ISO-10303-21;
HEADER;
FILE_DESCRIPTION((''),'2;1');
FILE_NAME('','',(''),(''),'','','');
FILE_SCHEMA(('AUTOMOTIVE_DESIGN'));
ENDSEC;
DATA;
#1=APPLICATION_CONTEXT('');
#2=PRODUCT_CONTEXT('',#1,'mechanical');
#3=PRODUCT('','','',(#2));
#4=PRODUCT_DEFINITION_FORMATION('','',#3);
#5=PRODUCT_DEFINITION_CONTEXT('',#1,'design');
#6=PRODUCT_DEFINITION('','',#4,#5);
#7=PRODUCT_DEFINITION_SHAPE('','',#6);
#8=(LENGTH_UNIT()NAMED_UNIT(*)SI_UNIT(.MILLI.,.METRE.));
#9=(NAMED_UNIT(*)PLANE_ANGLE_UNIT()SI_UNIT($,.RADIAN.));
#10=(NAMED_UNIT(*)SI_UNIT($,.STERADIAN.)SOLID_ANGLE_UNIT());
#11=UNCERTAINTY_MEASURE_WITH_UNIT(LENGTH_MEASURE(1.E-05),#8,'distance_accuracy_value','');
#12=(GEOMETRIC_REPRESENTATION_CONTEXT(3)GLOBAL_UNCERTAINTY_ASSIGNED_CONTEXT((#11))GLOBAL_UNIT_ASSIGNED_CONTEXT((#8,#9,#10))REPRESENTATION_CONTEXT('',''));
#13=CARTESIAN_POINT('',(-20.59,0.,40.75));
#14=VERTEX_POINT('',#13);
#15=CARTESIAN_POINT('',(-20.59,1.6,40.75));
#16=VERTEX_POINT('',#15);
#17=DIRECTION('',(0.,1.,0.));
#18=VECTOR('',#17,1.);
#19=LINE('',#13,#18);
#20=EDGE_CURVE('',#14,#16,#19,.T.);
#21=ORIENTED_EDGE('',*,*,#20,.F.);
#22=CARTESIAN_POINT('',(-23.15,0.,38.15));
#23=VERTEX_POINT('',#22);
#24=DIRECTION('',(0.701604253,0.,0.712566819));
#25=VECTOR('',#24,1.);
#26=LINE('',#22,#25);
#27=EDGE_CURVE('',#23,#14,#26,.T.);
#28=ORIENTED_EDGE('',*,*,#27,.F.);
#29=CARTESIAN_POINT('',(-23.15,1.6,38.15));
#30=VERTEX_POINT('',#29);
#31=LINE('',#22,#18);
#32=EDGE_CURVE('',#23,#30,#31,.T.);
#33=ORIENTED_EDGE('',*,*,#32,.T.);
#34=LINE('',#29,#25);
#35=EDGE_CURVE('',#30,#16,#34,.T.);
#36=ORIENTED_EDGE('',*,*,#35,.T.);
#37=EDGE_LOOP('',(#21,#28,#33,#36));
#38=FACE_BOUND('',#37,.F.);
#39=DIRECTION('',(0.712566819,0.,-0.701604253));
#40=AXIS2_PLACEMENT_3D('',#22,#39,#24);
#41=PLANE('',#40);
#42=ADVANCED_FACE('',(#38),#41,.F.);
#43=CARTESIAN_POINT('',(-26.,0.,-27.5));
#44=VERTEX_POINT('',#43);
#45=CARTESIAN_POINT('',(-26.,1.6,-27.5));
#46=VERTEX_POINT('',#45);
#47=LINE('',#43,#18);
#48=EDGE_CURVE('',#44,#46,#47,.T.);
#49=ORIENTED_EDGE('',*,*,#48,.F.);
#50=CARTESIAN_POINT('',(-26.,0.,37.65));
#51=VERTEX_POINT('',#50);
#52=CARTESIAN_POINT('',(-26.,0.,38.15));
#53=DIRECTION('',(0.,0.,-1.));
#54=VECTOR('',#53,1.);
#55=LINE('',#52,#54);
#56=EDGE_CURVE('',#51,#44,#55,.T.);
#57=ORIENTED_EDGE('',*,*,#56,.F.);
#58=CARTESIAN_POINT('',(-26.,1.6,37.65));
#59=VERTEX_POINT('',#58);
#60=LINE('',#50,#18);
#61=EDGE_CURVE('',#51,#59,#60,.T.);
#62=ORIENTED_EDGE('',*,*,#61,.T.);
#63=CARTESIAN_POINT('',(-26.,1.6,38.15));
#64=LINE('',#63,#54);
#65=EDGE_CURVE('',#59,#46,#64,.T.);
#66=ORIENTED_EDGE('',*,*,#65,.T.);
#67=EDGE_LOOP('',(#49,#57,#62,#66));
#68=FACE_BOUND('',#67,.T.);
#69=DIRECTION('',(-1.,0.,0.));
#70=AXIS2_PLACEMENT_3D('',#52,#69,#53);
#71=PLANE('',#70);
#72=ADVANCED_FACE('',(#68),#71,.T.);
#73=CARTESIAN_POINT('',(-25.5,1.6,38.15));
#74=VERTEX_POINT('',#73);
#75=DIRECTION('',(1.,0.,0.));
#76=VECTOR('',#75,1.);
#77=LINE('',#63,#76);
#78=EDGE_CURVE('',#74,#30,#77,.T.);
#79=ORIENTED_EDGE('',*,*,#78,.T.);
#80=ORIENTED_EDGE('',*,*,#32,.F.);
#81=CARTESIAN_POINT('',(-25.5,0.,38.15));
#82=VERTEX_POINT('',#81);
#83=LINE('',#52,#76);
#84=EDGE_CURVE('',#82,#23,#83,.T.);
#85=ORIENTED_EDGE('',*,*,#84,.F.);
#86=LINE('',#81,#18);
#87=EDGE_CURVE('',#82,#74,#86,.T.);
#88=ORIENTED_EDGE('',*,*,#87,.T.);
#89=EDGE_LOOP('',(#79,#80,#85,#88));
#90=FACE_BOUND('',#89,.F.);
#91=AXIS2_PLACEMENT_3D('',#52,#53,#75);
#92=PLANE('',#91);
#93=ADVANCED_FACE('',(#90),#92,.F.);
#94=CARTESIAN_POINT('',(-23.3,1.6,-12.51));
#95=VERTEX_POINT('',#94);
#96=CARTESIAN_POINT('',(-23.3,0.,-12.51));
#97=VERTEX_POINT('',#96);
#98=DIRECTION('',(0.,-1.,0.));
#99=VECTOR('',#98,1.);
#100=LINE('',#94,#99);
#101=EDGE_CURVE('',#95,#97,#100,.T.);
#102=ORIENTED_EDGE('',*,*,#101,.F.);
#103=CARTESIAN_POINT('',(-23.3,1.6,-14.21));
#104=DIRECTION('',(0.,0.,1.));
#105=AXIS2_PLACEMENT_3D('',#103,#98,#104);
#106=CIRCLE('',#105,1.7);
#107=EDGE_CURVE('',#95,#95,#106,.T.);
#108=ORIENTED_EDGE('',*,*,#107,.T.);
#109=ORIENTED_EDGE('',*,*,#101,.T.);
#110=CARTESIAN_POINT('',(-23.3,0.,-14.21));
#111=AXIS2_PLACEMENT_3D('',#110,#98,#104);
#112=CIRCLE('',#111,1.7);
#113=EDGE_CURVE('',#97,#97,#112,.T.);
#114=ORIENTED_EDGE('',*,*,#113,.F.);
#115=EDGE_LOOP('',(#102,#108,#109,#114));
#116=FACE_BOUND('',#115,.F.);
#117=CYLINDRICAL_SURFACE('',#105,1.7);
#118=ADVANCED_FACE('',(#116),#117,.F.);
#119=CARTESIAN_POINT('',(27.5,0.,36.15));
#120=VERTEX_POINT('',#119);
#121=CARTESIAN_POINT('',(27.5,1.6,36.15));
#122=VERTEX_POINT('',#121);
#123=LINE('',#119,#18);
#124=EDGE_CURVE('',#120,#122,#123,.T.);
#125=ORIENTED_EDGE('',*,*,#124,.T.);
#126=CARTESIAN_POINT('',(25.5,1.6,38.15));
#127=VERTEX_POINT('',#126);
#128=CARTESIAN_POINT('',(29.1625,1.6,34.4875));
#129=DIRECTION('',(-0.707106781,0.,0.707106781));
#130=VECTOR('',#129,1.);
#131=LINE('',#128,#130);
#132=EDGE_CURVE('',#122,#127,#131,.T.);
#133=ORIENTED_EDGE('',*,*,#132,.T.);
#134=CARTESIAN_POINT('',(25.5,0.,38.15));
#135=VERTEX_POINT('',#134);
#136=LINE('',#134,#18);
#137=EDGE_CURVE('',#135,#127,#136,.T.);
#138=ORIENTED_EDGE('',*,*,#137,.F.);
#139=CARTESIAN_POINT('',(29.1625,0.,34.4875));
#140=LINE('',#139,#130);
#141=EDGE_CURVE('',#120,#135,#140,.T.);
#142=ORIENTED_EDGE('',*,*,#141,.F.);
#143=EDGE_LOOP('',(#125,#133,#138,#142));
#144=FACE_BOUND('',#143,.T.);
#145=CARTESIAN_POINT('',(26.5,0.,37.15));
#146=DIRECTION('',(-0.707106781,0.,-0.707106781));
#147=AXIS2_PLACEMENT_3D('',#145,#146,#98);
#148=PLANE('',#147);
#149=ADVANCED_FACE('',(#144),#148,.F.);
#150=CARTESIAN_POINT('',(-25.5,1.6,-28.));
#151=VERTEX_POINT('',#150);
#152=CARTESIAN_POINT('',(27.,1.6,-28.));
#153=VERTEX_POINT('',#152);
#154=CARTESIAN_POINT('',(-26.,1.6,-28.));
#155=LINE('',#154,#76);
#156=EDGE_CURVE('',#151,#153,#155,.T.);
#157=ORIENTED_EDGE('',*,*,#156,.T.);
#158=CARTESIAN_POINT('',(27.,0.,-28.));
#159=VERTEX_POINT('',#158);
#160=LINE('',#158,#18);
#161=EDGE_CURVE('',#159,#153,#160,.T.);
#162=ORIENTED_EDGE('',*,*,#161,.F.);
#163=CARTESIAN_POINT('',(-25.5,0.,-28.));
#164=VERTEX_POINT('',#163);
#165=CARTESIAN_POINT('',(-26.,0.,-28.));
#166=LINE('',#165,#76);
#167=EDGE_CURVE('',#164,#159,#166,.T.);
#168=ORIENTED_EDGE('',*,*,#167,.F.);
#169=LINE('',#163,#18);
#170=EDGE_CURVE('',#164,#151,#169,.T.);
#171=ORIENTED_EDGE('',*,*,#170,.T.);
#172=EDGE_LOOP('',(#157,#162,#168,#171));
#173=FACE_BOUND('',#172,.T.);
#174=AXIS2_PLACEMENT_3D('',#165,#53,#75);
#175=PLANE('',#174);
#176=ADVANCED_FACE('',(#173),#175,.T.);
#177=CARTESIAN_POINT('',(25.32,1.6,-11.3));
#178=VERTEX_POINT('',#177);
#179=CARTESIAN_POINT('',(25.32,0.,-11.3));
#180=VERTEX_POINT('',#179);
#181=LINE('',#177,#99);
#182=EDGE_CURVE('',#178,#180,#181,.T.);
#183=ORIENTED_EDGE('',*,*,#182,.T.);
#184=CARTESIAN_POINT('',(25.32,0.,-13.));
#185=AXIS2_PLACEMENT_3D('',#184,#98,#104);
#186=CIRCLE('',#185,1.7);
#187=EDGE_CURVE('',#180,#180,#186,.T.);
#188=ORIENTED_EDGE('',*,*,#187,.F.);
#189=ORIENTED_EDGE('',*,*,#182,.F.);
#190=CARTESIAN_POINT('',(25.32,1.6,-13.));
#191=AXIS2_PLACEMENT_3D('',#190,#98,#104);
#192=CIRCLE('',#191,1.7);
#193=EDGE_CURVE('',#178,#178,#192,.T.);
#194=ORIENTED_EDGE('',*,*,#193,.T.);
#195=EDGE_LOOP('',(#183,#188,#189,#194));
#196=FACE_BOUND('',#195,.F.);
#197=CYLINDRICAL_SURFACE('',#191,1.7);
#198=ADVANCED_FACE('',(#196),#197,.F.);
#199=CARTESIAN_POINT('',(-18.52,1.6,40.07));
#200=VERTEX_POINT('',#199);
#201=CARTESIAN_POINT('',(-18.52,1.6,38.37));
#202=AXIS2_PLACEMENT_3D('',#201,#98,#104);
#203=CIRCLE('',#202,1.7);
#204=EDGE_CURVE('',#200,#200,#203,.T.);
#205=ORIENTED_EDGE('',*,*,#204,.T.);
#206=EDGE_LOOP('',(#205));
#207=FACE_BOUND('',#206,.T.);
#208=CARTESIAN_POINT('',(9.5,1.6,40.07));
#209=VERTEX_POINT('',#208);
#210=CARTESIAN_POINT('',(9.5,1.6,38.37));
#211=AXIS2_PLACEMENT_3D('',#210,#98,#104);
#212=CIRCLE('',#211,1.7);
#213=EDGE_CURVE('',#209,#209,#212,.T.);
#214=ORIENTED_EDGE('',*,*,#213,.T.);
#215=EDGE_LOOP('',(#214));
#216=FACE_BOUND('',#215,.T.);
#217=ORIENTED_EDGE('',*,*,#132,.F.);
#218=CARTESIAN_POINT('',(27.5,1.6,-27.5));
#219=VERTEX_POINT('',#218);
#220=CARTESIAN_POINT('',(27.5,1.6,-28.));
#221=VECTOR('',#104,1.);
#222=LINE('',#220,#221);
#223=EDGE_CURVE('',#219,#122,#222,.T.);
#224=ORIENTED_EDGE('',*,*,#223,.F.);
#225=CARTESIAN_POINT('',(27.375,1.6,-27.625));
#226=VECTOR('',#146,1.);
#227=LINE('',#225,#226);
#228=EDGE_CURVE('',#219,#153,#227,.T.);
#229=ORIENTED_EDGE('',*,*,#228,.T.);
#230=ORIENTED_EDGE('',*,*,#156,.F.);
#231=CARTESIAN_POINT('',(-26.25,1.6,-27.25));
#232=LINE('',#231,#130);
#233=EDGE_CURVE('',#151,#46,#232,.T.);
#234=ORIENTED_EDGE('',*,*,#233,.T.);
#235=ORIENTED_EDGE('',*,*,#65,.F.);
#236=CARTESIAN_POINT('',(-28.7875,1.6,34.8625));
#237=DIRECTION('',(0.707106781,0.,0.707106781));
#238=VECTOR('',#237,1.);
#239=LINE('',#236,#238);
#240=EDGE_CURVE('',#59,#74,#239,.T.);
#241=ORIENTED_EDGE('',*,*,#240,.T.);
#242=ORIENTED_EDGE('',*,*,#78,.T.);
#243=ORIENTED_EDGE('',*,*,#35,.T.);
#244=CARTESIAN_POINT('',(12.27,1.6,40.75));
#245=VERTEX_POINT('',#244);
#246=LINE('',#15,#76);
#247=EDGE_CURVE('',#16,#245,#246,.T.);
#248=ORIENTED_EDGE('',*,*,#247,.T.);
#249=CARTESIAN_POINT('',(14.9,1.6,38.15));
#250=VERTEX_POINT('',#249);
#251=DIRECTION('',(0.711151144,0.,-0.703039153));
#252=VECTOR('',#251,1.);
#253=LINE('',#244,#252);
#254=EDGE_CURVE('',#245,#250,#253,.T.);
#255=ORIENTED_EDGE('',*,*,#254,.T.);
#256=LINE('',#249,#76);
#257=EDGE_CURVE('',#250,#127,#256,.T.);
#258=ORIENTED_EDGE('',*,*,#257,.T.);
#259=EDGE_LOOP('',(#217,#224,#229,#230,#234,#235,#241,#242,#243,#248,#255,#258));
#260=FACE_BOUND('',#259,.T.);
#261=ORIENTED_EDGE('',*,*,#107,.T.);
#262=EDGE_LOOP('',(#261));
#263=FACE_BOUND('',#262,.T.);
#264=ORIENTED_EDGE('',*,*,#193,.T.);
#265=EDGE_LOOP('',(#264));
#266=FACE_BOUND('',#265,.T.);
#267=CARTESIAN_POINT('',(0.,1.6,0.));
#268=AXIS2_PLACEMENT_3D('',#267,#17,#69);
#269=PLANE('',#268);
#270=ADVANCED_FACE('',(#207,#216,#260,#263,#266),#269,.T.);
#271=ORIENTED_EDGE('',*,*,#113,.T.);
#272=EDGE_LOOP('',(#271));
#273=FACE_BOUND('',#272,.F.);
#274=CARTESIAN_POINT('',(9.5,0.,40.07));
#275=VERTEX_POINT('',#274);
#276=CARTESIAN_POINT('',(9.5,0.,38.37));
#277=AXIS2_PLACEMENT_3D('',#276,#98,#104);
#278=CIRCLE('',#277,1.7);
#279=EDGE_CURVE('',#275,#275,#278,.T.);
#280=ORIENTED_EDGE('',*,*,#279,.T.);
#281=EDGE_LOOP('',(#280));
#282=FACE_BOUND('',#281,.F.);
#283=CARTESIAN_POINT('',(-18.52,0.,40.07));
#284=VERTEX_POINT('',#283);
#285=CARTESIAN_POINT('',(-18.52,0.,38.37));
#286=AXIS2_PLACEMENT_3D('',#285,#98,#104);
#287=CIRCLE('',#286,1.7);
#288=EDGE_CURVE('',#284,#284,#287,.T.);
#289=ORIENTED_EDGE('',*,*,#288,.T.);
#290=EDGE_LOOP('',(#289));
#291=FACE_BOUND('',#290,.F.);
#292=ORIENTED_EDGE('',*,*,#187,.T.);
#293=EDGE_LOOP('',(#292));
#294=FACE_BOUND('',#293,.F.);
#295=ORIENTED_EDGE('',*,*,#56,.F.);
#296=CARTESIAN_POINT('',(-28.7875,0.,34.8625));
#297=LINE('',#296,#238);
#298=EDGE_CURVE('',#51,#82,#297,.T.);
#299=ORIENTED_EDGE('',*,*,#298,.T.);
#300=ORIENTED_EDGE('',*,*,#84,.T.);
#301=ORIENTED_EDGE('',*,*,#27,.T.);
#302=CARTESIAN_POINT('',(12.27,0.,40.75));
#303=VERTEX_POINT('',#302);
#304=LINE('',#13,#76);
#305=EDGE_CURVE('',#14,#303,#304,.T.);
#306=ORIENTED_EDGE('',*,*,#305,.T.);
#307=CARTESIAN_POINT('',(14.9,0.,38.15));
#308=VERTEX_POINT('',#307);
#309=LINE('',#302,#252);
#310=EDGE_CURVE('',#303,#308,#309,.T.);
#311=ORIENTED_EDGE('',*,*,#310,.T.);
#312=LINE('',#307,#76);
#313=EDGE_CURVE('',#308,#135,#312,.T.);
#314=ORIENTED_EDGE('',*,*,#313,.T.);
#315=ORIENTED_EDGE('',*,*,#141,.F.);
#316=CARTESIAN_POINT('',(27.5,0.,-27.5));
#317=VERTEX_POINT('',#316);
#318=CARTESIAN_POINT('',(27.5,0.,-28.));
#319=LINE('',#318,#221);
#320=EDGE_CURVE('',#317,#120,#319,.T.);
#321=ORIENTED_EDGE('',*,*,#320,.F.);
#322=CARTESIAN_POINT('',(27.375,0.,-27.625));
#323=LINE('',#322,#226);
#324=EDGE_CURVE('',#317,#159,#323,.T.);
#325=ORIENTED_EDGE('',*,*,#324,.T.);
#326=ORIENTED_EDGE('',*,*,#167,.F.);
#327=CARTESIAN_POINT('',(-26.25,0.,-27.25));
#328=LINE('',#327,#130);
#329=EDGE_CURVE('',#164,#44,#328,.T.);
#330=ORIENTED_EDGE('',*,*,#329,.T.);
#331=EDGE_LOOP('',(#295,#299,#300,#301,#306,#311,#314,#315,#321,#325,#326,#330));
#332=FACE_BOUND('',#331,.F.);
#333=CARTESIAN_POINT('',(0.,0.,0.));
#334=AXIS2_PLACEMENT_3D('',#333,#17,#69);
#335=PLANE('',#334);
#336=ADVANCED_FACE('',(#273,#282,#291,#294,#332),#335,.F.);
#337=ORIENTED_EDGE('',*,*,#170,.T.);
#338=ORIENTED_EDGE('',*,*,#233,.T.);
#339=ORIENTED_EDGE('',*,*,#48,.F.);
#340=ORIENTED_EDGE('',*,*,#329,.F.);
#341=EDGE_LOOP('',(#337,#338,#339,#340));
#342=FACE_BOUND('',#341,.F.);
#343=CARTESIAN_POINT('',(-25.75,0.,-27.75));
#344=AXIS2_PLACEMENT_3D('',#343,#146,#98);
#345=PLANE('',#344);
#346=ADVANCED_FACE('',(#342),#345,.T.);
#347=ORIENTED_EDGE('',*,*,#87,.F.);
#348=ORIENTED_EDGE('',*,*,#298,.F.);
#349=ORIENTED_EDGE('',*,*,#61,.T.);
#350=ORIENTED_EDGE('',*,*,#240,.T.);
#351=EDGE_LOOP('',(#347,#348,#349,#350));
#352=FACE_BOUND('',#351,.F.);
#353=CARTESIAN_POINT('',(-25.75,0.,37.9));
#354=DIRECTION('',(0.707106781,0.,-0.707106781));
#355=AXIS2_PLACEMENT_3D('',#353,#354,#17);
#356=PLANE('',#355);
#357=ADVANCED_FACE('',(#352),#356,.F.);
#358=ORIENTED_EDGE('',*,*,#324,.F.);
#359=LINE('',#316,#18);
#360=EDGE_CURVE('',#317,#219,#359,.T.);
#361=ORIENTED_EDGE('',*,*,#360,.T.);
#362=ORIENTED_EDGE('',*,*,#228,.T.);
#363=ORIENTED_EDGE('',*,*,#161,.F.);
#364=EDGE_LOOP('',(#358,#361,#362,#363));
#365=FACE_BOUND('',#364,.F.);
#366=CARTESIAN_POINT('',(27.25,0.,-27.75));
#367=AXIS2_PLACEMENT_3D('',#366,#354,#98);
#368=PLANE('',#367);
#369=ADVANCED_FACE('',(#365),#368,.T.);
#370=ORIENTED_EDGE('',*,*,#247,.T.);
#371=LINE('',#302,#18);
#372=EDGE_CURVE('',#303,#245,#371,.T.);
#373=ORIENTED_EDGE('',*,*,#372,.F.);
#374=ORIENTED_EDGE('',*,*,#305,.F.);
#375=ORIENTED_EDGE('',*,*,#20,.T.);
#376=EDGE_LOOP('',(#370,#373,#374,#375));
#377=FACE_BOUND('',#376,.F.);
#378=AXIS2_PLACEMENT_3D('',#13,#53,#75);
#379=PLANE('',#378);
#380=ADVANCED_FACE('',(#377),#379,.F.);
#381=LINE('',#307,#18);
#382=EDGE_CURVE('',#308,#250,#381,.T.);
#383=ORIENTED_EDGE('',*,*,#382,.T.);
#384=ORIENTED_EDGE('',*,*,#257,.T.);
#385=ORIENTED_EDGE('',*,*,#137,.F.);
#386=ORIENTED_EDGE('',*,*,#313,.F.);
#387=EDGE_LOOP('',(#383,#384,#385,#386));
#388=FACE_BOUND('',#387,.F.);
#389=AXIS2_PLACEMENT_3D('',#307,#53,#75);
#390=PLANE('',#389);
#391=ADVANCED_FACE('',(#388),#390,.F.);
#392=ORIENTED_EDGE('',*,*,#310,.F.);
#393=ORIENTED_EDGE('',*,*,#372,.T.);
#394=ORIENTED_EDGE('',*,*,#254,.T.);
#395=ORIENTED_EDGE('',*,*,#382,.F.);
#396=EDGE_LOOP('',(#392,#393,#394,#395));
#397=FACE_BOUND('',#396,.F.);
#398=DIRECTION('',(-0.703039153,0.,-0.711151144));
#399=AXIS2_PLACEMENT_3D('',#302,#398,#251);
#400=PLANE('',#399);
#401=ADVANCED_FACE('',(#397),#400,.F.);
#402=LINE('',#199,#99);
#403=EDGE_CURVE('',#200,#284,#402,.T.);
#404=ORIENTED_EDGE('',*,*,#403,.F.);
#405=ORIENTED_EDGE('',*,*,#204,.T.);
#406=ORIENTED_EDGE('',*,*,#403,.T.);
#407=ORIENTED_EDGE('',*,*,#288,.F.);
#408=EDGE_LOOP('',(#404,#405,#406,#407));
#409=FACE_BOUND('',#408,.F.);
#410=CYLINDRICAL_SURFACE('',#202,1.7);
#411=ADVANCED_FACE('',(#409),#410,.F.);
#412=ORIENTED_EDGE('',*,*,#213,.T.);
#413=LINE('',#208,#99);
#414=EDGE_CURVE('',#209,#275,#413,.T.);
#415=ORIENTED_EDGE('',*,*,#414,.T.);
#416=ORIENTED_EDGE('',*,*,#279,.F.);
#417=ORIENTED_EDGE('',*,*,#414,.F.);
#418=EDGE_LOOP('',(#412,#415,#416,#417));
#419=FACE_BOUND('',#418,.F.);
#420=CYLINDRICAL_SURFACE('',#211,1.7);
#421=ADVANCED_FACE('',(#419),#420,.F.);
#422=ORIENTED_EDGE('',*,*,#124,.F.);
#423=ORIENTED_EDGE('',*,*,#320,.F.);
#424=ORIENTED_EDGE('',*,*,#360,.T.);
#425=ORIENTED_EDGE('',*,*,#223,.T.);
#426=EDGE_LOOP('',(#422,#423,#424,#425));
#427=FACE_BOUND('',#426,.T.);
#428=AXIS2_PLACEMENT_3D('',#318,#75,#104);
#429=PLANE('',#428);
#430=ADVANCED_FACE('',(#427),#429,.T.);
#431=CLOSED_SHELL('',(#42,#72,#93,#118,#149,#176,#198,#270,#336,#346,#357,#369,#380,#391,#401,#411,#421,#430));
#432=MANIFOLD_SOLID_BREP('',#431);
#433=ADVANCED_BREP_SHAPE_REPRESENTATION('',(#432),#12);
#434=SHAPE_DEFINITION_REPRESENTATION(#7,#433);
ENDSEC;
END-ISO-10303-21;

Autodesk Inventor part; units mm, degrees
ref_plane "YZ Plane" through (0, 0, 0) normal (1, 0, 0) x (0, 1, 0)
ref_plane "XZ Plane" through (0, 0, 0) normal (0, 1, 0) x (-1, 0, 0)
ref_plane "XY Plane" through (0, 0, 0) normal (0, 0, 1) x (1, 0, 0)
sketch "Sketch1" plane through (0, 0, 0) normal (0, 1, 0) x (-1, 0, 0)
  line L0 (26, -28) -> (-27.5, -28)
  line L1 (-27.5, -28) -> (-27.5, 38.15)
  line L2 (26, 38.15) -> (26, -28)
  line L3 (26, 38.15) -> (23.15, 38.15)
  line L4 (23.15, 38.15) -> (20.59, 40.75)
  line L5 (20.59, 40.75) -> (-12.27, 40.75)
  line L6 (-12.27, 40.75) -> (-14.9, 38.15)
  line L7 (-14.9, 38.15) -> (-27.5, 38.15)
  point P0 (0, 0)
  point P1 (-27.5, 40.75)
  point P2 (26, 40.75)
  point P3 (4.16, 40.75)
  point P4 (24.575, 38.15)
  point P5 (-21.2, 38.15)
  dimension "d2" = 53.5
  dimension "d12" = 68.75
  dimension "d13" = 2.6
  dimension "d14" = 2.85
  dimension "d15" = 2.56
  dimension "d16" = 32.86
  dimension "d17" = 12.6
  dimension "d18" = 28
  dimension "d19" = 26
extrude "Extrusion1" add sketch "Sketch1" along normal blind 1.6
chamfer "Chamfer1" distance 2 angle 45 1 edges at (27.5, 0.8, 38.15)
chamfer "Chamfer2" distance 0.5 angle 45 3 edges at (-26, 0.8, 38.15) (-26, 0.8, -28) (27.5, 0.8, -28)
sketch "Sketch2" plane through (0, 1.6, 0) normal (0, 1, 0) x (1, 0, 0)
  line L0 (-26, 27.5) -> (-26, -37.65) projected
  line L1 (27, 28) -> (-25.5, 28) projected
  line L2 (27.5, -36.15) -> (27.5, 27.5) projected
  line L3 (-20.59, -40.75) -> (12.27, -40.75) projected
  point P0 (0, 0)
  point P1 (-23.3, 14.21)
  point P2 (25.32, 13)
  point P3 (9.5, -38.37)
  point P4 (-18.52, -38.37)
  dimension "d28" = 2.7
  dimension "d29" = 13.79
  dimension "d30" = 2.18
  dimension "d31" = 15
  dimension "d32" = 7.48
  dimension "d33" = 2.38
  dimension "d34" = 18
hole "Hole1" at (-23.3, 1.6, -14.21) at (25.32, 1.6, -13) at (9.5, 1.6, 38.37) at (-18.52, 1.6, 38.37) direction (0, -1, 0) diameter 3.4 end through all clearance for "Countersunk Flat Head Screw ISO 2009/7046" size "M3" standard "ISO"
properties part number "ArduinoUnoFootprintPART"
